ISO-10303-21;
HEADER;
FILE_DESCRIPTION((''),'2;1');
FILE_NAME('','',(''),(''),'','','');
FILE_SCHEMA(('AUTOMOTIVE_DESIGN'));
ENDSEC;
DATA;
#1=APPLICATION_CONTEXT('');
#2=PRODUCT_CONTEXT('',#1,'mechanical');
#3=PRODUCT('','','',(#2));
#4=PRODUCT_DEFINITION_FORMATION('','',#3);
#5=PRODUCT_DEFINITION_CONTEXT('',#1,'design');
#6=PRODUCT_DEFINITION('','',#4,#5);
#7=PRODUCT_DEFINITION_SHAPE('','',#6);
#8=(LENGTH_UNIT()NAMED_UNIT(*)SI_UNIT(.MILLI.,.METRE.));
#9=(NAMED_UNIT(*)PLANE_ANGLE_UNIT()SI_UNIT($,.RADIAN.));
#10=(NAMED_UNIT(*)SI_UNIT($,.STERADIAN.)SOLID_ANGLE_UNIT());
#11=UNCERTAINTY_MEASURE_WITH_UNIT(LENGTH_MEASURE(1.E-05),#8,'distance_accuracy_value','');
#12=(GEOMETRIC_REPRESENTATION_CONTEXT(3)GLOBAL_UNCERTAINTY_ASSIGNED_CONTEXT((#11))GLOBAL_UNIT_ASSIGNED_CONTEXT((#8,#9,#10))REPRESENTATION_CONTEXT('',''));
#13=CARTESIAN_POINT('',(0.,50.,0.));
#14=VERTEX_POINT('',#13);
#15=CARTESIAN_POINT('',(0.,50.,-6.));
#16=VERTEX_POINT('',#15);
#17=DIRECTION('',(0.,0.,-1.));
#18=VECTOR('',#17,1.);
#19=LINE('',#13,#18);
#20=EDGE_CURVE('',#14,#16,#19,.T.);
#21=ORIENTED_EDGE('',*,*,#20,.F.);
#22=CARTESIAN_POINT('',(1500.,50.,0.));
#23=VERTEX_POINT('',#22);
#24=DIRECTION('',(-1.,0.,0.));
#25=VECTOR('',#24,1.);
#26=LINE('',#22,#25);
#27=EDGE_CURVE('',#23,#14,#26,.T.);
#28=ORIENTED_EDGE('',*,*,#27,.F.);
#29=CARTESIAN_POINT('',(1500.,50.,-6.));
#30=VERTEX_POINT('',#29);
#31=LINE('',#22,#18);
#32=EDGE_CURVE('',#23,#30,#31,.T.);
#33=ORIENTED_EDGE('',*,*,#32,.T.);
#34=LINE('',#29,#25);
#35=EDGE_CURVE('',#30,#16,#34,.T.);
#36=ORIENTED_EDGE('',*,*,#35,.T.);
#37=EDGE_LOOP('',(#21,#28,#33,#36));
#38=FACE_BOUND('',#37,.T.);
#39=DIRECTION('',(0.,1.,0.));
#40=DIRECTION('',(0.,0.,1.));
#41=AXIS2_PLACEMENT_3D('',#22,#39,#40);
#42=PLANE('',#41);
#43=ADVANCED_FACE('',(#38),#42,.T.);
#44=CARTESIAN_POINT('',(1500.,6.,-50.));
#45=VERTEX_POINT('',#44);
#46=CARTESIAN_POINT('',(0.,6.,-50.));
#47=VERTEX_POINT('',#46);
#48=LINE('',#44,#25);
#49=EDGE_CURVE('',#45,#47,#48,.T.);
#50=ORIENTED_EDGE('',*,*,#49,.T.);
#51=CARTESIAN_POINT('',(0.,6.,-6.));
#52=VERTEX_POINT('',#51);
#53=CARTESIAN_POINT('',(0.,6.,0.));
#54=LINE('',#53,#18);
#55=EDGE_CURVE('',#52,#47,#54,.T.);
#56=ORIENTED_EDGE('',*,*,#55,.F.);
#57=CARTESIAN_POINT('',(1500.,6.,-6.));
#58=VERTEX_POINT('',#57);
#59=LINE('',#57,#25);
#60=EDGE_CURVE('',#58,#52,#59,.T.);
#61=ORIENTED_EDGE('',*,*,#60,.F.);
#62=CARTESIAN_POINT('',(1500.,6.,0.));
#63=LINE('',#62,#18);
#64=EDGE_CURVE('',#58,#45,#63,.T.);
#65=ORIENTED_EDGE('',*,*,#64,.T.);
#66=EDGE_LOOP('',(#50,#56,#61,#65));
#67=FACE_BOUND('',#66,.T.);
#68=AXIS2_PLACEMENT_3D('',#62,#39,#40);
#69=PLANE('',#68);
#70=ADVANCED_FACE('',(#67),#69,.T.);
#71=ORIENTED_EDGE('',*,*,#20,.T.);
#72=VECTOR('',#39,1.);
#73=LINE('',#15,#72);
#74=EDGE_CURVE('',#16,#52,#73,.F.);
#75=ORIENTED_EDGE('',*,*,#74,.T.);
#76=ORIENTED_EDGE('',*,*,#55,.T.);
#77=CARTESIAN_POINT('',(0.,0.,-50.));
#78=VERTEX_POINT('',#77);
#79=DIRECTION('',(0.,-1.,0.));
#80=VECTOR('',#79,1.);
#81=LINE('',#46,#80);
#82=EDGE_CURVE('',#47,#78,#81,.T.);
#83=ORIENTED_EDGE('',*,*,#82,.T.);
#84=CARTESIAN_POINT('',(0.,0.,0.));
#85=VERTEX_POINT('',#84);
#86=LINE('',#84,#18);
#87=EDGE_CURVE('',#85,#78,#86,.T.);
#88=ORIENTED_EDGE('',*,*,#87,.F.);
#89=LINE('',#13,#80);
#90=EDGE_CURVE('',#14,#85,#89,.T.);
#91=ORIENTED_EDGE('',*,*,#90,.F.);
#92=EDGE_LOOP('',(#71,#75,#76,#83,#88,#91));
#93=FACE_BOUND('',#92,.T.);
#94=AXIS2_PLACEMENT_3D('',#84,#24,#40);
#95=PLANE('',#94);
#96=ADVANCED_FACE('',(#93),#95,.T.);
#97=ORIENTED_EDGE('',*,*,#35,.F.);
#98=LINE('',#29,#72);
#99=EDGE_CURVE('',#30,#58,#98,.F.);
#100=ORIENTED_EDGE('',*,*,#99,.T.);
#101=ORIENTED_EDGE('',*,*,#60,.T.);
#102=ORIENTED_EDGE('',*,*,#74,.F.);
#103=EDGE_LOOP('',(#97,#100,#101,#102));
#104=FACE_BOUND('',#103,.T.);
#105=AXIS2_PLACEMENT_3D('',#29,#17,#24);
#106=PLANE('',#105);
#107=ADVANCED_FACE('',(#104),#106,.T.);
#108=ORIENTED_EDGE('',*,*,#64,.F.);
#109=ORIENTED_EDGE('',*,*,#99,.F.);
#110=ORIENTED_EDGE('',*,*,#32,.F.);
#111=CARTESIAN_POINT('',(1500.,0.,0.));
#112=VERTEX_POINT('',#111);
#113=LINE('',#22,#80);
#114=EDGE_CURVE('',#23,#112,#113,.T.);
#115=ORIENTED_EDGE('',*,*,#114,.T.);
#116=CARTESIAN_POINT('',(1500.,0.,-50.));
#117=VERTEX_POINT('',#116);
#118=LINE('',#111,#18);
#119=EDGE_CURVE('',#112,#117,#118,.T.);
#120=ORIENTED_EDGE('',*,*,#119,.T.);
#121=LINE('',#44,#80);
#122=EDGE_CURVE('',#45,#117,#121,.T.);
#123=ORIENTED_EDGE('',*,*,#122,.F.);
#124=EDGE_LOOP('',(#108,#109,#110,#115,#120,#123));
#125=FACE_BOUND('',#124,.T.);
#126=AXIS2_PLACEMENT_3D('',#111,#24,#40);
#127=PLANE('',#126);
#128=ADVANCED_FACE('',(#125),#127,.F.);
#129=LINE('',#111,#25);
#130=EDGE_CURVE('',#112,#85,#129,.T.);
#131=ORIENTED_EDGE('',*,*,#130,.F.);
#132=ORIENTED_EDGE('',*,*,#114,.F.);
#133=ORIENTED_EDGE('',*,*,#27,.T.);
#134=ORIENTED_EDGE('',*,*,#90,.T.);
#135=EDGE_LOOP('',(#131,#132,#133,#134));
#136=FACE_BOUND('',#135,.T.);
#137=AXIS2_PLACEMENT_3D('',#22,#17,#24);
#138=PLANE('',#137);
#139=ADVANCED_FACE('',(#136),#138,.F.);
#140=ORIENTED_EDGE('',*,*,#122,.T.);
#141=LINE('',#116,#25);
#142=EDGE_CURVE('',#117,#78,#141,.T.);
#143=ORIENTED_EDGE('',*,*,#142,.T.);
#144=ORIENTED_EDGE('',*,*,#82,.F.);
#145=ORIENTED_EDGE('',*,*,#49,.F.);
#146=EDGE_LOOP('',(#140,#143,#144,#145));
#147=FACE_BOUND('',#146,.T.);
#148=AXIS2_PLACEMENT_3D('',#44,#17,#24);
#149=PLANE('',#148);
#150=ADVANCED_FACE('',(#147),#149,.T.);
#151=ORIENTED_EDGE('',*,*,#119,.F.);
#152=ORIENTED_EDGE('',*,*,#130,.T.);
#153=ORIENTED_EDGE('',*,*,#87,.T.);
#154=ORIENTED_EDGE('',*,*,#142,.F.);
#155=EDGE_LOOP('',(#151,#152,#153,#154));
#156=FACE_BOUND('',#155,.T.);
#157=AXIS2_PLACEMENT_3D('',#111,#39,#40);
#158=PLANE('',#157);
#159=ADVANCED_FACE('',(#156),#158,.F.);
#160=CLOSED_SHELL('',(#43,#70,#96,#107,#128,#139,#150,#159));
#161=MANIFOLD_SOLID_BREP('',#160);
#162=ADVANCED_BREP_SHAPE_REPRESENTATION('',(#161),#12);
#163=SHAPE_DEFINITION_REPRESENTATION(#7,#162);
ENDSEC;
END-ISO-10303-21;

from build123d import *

# Parameters (mm, degrees)
EXTRUDE_2_DEPTH = 1500


with BuildPart() as part:
    # Эскиз1 → Вытянуть-Тонкостенный2 (new body)
    with BuildSketch(Plane(origin=(0, 0, 0), x_dir=(0, 0, -1), z_dir=(1, 0, 0))):
        Polygon((0, 50), (0, 0), (50, 0), (50, 6), (6, 6), (6, 50), align=None)
    extrude(amount=EXTRUDE_2_DEPTH)


solid = part.part
